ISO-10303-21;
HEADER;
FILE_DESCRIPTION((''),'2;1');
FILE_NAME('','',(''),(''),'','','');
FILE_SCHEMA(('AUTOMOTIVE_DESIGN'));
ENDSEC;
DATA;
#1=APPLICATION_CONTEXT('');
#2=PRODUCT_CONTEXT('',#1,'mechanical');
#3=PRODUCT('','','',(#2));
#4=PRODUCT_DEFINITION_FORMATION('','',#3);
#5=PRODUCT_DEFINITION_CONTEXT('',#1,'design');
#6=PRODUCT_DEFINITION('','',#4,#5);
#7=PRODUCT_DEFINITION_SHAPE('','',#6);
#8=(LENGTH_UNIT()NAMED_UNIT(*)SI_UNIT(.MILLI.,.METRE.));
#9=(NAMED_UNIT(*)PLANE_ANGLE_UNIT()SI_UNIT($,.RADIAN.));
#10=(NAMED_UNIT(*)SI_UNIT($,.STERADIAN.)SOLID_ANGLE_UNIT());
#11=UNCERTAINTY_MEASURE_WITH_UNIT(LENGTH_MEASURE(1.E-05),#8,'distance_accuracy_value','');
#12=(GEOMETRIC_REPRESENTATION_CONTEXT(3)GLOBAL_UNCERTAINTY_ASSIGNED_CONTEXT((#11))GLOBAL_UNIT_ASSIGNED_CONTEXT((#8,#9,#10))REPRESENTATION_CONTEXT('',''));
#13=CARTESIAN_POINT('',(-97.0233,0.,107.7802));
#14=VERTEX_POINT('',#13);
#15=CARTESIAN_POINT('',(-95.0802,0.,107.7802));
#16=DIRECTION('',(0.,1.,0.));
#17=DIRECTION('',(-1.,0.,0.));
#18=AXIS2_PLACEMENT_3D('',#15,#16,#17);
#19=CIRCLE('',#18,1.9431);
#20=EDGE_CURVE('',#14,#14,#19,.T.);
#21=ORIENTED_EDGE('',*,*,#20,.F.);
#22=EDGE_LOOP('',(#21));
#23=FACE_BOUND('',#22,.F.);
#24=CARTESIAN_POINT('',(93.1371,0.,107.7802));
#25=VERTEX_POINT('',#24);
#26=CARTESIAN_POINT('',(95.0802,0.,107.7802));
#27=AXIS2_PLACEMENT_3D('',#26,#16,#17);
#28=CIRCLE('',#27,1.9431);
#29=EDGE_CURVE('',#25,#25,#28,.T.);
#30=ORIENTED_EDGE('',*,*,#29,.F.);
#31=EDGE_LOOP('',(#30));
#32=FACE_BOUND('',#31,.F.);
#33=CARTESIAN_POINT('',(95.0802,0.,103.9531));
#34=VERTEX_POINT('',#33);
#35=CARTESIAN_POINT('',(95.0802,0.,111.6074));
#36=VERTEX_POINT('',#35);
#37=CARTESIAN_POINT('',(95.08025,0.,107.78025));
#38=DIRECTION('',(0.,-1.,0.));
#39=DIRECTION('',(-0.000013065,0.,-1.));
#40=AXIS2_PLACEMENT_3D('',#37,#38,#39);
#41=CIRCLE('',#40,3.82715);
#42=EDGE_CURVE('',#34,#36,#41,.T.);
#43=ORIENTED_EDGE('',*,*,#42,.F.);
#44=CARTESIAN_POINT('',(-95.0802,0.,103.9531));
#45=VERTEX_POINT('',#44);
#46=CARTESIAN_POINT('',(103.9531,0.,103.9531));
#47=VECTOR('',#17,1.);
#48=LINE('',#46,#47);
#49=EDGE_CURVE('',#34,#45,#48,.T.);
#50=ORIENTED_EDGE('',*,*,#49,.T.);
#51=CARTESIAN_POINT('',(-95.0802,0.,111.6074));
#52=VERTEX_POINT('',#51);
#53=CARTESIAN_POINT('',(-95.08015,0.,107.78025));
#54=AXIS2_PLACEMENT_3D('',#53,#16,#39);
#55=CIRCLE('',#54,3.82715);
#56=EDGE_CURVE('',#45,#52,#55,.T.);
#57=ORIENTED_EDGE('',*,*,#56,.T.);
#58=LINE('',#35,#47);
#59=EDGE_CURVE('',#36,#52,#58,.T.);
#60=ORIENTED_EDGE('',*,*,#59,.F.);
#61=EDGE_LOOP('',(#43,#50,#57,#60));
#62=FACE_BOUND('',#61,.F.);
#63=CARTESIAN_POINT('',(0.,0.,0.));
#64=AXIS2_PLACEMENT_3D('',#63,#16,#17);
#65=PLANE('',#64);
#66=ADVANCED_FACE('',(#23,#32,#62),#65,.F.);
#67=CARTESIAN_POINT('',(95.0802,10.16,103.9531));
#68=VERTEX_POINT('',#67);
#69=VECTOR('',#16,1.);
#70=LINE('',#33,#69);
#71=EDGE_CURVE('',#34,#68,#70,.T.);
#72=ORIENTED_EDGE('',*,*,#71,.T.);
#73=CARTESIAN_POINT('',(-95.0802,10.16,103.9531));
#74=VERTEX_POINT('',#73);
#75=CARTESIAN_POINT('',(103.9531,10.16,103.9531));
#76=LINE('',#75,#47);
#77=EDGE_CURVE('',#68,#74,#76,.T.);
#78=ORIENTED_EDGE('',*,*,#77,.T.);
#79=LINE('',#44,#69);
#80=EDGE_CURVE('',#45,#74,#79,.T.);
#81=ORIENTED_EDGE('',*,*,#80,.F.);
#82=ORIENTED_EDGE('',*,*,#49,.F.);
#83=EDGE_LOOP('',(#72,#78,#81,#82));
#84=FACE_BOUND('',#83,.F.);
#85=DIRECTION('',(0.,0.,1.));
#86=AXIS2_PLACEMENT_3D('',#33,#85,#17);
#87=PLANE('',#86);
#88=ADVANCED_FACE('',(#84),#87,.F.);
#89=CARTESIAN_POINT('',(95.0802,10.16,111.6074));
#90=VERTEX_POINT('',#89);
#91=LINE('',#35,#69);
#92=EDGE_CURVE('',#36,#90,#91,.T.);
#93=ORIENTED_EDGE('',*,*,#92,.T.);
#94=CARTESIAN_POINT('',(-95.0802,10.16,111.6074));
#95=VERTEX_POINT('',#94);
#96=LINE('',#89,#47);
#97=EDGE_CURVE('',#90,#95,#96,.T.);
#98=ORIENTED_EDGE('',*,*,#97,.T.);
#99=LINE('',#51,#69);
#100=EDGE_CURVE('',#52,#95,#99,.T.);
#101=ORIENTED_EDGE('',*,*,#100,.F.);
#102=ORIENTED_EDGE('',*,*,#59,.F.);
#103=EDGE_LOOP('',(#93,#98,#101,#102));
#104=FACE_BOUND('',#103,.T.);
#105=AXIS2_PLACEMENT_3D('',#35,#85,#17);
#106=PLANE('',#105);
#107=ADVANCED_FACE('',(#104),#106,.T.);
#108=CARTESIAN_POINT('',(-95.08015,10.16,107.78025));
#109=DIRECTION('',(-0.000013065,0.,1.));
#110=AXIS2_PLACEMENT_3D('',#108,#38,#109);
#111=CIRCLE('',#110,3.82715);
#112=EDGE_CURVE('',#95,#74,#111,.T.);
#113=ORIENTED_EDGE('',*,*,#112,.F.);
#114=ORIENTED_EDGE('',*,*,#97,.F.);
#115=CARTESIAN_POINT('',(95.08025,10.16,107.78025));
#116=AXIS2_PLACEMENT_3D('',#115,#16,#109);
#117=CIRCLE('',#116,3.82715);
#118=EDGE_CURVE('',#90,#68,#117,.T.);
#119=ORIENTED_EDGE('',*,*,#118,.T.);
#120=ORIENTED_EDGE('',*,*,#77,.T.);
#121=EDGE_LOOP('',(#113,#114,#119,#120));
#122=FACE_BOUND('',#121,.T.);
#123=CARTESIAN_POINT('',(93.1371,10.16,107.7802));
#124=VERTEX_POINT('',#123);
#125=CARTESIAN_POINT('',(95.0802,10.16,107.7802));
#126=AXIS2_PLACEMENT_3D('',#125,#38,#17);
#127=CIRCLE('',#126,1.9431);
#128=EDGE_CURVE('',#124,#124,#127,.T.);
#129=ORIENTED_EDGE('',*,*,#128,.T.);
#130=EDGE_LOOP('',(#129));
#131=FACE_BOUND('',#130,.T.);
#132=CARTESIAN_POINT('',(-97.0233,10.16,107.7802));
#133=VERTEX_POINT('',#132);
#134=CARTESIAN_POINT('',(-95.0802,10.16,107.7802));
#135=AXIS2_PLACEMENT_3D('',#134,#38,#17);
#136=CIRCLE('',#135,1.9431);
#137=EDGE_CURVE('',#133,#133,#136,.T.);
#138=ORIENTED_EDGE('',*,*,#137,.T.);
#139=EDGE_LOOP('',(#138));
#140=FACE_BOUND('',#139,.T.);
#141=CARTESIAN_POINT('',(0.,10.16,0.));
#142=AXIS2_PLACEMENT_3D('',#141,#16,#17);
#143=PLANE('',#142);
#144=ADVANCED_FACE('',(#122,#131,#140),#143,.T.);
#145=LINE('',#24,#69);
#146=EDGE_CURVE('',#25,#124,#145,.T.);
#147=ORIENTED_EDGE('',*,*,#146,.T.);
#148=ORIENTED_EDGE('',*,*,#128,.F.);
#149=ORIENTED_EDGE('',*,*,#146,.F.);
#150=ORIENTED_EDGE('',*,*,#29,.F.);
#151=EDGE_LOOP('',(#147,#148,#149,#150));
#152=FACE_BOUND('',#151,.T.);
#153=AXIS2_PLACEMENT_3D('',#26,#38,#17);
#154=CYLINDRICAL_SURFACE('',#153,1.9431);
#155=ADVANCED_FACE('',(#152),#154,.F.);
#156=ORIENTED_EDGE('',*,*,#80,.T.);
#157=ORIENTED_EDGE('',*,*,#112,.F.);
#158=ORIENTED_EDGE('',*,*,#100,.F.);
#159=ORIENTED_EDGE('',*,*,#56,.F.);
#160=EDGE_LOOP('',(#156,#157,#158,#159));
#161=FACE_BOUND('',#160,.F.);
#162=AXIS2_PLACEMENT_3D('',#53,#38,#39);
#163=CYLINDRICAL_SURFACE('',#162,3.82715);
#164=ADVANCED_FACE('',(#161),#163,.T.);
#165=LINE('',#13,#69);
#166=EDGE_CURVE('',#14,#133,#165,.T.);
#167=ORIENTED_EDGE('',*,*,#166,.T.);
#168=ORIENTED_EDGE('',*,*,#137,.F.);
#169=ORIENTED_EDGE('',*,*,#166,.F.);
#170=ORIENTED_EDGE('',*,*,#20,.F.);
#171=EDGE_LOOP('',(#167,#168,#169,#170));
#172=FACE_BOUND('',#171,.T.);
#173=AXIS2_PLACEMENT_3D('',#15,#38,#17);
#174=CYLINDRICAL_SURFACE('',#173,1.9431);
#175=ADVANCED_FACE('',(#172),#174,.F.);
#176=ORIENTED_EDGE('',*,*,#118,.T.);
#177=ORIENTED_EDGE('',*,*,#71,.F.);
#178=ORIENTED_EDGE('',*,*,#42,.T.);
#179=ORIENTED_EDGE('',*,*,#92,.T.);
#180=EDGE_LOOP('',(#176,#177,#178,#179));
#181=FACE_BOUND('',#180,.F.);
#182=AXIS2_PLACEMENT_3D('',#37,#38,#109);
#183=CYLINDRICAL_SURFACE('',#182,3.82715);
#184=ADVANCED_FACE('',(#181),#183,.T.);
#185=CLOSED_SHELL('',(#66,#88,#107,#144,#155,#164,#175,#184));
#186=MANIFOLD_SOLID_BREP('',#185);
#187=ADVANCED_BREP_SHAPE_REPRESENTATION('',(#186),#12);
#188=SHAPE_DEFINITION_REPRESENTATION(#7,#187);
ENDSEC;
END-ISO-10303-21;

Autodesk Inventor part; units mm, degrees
ref_plane "YZ Plane" through (0, 0, 0) normal (1, 0, 0) x (0, 1, 0)
ref_plane "XZ Plane" through (0, 0, 0) normal (0, 1, 0) x (-1, 0, 0)
ref_plane "XY Plane" through (0, 0, 0) normal (0, 0, 1) x (1, 0, 0)
sketch "Sketch3" plane through (0, 0, 0) normal (0, 1, 0) x (-1, 0, 0)
  circle A0 centre (0, 0) radius 152.4
  line L0 (0, 0) -> (107.7631, -107.7631)
  line L1 (0, 0) -> (152.4, 0) construction
  line L2 (107.7631, -107.7631) -> (-107.7631, -107.7631)
  line L3 (-107.7631, -107.7631) -> (-107.7631, 107.7631)
  line L4 (107.7631, 107.7631) -> (-107.7631, 107.7631)
  line L5 (-107.7631, 107.7631) -> (-107.7631, -107.7631)
  line L6 (-107.7631, -107.7631) -> (107.7631, -107.7631)
  line L7 (107.7631, -107.7631) -> (107.7631, 107.7631)
  line L8 (107.7631, 107.7631) -> (-107.7631, -107.7631) construction
  line L9 (-107.7631, 107.7631) -> (107.7631, -107.7631) construction
  line L10 (-111.5731, 111.5731) -> (111.5731, 111.5731)
  line L11 (111.5731, 111.5731) -> (111.5731, -111.5731)
  line L12 (111.5731, -111.5731) -> (-111.5731, -111.5731)
  line L13 (-111.5731, -111.5731) -> (-111.5731, 111.5731)
  line L14 (-103.9531, 103.9531) -> (103.9531, 103.9531)
  line L15 (103.9531, 103.9531) -> (103.9531, -103.9531)
  line L16 (103.9531, -103.9531) -> (-103.9531, -103.9531)
  line L17 (-103.9531, -103.9531) -> (-103.9531, 103.9531)
  line L18 (-107.7802, 107.7802) -> (107.7802, 107.7802)
  line L19 (107.7802, 107.7802) -> (107.7802, -107.7802)
  line L20 (107.7802, -107.7802) -> (-107.7802, -107.7802)
  line L21 (-107.7802, -107.7802) -> (-107.7802, 107.7802)
  line L22 (107.7802, 107.7802) -> (95.0802, 107.7802)
  line L23 (-107.7802, 107.7802) -> (-95.0802, 107.7802)
  line L24 (-95.0802, 107.7802) -> (95.0802, 107.7802) construction
  line L25 (-95.0802, 111.6074) -> (95.0802, 111.6074)
  line L26 (95.0802, 103.9531) -> (-95.0802, 103.9531)
  arc A1 (-95.0802, 111.6074) -> (-95.0802, 103.9531) centre (-95.0802, 107.7802) ccw
  arc A2 (95.0802, 103.9531) -> (95.0802, 111.6074) centre (95.0802, 107.7802) ccw
  arc A3 (-95.0802, -103.9531) -> (-95.0802, -111.6074) centre (-95.0802, -107.7802) ccw
  arc A4 (95.0802, -111.6074) -> (95.0802, -103.9531) centre (95.0802, -107.7802) ccw
  circle A5 centre (95.0802, 107.7802) radius 1.9431
  circle A6 centre (-95.0802, 107.7802) radius 1.9431
  point P0 (0, 107.7802)
  dimension "d31" = 304.8
  dimension "d32" = 45
  dimension "d33" = 45
  dimension "d34" = 3.81
  dimension "d35" = 3.81
  dimension "d36" = 12.7
  dimension "d37" = 12.7
  dimension "d38" = 3.8862
  dimension "d39" = 3.8862
extrude "Extrusion2" add sketch "Sketch3" along normal blind 10.16 contours A2 L14 A1 L4 A6 A5 | L4 A5 L18 A2 | A2 L18 A5 A6 A1 L10 | L10 A1 L25 A2 | A5 L4 | L4 A5 L18 | L18 A5 | L4 A6 L18 A5 | L18 A6 L4 A1 | A6 L4 | L4 A6 L18 | A6 L18
extrude "Extrusion3" cut sketch "Sketch3" along normal blind 10.16 contours A5 L4 | L4 A5 L18 | L18 A5 | A6 L4 | L4 A6 L18 | A6 L18
sketch "Sketch4" plane through (-95.0802, 0, 111.6074) normal (0, 0, 1) x (1, 0, 0)
  line L0 (0, 0) -> (190.1605, 0) projected
  line L1 (190.1605, 0) -> (190.1605, 10.16) projected
  line L2 (0, 10.16) -> (190.1605, 10.16) projected
  line L3 (0, 0) -> (0, 10.16) projected
  line L4 (0, 0) -> (0, 0) projected
  line L5 (0, 0) -> (0, 10.16) projected
  line L6 (0, 10.16) -> (0, 10.16) projected
  line L7 (0, 0) -> (0, 10.16) projected
  line L8 (190.1605, 0) -> (190.1605, 0) projected
  line L9 (190.1605, 0) -> (190.1605, 10.16) projected
  line L10 (190.1605, 10.16) -> (190.1605, 10.16) projected
  line L11 (190.1605, 0) -> (190.1605, 10.16) projected
  line L12 (0, 10.16) -> (-3.8272, 10.16) projected
  line L13 (0, 5.08) -> (-3.8272, 5.08)
  line L14 (-3.8272, 5.08) -> (-3.8272, 10.16)
  line L15 (-3.8272, 10.16) -> (0, 10.16)
  line L16 (0, 10.16) -> (0, 5.08)
  point P0 (95.0802, 0)
properties part number "Base Disk Model"
